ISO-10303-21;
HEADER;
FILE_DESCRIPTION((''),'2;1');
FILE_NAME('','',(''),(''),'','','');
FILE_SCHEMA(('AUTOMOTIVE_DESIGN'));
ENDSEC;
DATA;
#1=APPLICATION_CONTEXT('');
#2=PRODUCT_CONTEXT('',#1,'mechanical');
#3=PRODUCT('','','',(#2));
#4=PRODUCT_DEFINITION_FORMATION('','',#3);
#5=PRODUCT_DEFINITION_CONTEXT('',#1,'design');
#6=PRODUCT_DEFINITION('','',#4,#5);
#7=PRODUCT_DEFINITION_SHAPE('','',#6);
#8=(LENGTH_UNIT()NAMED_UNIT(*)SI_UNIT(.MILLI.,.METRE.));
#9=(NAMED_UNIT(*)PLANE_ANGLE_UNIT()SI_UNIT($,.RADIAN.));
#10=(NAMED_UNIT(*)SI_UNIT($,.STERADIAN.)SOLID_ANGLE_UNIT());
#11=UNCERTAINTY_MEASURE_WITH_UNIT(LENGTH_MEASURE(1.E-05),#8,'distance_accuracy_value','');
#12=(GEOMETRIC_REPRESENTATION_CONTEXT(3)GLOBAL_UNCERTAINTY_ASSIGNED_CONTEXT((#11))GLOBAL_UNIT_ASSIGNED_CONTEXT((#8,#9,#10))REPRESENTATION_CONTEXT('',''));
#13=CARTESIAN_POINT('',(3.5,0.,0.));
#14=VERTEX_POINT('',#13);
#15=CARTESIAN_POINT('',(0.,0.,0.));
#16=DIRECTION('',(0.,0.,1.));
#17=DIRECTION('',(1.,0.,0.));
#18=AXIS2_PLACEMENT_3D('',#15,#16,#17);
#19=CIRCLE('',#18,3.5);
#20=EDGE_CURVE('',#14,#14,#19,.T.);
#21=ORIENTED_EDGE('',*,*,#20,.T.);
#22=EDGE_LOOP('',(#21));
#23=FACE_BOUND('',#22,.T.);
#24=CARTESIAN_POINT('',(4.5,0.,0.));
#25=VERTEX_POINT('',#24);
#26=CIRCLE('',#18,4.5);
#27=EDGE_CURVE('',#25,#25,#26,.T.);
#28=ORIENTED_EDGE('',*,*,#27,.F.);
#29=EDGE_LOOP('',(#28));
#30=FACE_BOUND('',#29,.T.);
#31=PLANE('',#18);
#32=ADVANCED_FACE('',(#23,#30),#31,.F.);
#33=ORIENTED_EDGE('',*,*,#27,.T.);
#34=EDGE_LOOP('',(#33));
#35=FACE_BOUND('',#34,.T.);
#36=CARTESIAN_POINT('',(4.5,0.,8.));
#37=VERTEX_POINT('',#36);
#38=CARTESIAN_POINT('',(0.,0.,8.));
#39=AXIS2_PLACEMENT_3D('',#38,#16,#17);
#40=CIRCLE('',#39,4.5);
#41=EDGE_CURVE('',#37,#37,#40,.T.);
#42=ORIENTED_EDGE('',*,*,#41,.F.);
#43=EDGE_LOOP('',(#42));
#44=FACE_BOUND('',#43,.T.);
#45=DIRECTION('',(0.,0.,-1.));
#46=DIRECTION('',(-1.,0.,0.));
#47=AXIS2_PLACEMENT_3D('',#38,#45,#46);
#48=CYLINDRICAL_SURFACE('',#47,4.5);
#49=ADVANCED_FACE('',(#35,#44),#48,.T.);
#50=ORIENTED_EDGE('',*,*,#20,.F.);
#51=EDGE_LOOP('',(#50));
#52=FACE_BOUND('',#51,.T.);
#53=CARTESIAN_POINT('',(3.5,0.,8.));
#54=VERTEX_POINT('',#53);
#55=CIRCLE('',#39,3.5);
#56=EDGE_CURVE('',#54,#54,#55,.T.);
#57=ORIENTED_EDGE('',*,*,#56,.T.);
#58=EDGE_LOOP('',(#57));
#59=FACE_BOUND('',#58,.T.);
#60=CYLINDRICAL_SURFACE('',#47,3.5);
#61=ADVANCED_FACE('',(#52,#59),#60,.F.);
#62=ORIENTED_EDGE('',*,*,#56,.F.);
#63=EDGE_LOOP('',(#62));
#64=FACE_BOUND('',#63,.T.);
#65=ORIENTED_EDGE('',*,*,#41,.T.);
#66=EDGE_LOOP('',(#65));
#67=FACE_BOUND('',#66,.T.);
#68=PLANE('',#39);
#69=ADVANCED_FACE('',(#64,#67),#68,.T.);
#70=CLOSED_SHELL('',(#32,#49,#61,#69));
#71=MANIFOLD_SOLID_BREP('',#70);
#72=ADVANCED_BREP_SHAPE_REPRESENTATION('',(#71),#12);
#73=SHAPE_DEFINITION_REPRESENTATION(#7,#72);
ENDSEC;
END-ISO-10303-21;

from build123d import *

# Parameters (mm, degrees)
ESQUISSE1_R      = 4.5
ESQUISSE1_R_2    = 3.5
EXTRUSION1_DEPTH = 8


with BuildPart() as part:
    # Esquisse1 → Extrusion1 (new body)
    with BuildSketch(Plane.XY):
        Circle(ESQUISSE1_R)
        Circle(ESQUISSE1_R_2, mode=Mode.SUBTRACT)
    extrude(amount=EXTRUSION1_DEPTH)


solid = part.part
